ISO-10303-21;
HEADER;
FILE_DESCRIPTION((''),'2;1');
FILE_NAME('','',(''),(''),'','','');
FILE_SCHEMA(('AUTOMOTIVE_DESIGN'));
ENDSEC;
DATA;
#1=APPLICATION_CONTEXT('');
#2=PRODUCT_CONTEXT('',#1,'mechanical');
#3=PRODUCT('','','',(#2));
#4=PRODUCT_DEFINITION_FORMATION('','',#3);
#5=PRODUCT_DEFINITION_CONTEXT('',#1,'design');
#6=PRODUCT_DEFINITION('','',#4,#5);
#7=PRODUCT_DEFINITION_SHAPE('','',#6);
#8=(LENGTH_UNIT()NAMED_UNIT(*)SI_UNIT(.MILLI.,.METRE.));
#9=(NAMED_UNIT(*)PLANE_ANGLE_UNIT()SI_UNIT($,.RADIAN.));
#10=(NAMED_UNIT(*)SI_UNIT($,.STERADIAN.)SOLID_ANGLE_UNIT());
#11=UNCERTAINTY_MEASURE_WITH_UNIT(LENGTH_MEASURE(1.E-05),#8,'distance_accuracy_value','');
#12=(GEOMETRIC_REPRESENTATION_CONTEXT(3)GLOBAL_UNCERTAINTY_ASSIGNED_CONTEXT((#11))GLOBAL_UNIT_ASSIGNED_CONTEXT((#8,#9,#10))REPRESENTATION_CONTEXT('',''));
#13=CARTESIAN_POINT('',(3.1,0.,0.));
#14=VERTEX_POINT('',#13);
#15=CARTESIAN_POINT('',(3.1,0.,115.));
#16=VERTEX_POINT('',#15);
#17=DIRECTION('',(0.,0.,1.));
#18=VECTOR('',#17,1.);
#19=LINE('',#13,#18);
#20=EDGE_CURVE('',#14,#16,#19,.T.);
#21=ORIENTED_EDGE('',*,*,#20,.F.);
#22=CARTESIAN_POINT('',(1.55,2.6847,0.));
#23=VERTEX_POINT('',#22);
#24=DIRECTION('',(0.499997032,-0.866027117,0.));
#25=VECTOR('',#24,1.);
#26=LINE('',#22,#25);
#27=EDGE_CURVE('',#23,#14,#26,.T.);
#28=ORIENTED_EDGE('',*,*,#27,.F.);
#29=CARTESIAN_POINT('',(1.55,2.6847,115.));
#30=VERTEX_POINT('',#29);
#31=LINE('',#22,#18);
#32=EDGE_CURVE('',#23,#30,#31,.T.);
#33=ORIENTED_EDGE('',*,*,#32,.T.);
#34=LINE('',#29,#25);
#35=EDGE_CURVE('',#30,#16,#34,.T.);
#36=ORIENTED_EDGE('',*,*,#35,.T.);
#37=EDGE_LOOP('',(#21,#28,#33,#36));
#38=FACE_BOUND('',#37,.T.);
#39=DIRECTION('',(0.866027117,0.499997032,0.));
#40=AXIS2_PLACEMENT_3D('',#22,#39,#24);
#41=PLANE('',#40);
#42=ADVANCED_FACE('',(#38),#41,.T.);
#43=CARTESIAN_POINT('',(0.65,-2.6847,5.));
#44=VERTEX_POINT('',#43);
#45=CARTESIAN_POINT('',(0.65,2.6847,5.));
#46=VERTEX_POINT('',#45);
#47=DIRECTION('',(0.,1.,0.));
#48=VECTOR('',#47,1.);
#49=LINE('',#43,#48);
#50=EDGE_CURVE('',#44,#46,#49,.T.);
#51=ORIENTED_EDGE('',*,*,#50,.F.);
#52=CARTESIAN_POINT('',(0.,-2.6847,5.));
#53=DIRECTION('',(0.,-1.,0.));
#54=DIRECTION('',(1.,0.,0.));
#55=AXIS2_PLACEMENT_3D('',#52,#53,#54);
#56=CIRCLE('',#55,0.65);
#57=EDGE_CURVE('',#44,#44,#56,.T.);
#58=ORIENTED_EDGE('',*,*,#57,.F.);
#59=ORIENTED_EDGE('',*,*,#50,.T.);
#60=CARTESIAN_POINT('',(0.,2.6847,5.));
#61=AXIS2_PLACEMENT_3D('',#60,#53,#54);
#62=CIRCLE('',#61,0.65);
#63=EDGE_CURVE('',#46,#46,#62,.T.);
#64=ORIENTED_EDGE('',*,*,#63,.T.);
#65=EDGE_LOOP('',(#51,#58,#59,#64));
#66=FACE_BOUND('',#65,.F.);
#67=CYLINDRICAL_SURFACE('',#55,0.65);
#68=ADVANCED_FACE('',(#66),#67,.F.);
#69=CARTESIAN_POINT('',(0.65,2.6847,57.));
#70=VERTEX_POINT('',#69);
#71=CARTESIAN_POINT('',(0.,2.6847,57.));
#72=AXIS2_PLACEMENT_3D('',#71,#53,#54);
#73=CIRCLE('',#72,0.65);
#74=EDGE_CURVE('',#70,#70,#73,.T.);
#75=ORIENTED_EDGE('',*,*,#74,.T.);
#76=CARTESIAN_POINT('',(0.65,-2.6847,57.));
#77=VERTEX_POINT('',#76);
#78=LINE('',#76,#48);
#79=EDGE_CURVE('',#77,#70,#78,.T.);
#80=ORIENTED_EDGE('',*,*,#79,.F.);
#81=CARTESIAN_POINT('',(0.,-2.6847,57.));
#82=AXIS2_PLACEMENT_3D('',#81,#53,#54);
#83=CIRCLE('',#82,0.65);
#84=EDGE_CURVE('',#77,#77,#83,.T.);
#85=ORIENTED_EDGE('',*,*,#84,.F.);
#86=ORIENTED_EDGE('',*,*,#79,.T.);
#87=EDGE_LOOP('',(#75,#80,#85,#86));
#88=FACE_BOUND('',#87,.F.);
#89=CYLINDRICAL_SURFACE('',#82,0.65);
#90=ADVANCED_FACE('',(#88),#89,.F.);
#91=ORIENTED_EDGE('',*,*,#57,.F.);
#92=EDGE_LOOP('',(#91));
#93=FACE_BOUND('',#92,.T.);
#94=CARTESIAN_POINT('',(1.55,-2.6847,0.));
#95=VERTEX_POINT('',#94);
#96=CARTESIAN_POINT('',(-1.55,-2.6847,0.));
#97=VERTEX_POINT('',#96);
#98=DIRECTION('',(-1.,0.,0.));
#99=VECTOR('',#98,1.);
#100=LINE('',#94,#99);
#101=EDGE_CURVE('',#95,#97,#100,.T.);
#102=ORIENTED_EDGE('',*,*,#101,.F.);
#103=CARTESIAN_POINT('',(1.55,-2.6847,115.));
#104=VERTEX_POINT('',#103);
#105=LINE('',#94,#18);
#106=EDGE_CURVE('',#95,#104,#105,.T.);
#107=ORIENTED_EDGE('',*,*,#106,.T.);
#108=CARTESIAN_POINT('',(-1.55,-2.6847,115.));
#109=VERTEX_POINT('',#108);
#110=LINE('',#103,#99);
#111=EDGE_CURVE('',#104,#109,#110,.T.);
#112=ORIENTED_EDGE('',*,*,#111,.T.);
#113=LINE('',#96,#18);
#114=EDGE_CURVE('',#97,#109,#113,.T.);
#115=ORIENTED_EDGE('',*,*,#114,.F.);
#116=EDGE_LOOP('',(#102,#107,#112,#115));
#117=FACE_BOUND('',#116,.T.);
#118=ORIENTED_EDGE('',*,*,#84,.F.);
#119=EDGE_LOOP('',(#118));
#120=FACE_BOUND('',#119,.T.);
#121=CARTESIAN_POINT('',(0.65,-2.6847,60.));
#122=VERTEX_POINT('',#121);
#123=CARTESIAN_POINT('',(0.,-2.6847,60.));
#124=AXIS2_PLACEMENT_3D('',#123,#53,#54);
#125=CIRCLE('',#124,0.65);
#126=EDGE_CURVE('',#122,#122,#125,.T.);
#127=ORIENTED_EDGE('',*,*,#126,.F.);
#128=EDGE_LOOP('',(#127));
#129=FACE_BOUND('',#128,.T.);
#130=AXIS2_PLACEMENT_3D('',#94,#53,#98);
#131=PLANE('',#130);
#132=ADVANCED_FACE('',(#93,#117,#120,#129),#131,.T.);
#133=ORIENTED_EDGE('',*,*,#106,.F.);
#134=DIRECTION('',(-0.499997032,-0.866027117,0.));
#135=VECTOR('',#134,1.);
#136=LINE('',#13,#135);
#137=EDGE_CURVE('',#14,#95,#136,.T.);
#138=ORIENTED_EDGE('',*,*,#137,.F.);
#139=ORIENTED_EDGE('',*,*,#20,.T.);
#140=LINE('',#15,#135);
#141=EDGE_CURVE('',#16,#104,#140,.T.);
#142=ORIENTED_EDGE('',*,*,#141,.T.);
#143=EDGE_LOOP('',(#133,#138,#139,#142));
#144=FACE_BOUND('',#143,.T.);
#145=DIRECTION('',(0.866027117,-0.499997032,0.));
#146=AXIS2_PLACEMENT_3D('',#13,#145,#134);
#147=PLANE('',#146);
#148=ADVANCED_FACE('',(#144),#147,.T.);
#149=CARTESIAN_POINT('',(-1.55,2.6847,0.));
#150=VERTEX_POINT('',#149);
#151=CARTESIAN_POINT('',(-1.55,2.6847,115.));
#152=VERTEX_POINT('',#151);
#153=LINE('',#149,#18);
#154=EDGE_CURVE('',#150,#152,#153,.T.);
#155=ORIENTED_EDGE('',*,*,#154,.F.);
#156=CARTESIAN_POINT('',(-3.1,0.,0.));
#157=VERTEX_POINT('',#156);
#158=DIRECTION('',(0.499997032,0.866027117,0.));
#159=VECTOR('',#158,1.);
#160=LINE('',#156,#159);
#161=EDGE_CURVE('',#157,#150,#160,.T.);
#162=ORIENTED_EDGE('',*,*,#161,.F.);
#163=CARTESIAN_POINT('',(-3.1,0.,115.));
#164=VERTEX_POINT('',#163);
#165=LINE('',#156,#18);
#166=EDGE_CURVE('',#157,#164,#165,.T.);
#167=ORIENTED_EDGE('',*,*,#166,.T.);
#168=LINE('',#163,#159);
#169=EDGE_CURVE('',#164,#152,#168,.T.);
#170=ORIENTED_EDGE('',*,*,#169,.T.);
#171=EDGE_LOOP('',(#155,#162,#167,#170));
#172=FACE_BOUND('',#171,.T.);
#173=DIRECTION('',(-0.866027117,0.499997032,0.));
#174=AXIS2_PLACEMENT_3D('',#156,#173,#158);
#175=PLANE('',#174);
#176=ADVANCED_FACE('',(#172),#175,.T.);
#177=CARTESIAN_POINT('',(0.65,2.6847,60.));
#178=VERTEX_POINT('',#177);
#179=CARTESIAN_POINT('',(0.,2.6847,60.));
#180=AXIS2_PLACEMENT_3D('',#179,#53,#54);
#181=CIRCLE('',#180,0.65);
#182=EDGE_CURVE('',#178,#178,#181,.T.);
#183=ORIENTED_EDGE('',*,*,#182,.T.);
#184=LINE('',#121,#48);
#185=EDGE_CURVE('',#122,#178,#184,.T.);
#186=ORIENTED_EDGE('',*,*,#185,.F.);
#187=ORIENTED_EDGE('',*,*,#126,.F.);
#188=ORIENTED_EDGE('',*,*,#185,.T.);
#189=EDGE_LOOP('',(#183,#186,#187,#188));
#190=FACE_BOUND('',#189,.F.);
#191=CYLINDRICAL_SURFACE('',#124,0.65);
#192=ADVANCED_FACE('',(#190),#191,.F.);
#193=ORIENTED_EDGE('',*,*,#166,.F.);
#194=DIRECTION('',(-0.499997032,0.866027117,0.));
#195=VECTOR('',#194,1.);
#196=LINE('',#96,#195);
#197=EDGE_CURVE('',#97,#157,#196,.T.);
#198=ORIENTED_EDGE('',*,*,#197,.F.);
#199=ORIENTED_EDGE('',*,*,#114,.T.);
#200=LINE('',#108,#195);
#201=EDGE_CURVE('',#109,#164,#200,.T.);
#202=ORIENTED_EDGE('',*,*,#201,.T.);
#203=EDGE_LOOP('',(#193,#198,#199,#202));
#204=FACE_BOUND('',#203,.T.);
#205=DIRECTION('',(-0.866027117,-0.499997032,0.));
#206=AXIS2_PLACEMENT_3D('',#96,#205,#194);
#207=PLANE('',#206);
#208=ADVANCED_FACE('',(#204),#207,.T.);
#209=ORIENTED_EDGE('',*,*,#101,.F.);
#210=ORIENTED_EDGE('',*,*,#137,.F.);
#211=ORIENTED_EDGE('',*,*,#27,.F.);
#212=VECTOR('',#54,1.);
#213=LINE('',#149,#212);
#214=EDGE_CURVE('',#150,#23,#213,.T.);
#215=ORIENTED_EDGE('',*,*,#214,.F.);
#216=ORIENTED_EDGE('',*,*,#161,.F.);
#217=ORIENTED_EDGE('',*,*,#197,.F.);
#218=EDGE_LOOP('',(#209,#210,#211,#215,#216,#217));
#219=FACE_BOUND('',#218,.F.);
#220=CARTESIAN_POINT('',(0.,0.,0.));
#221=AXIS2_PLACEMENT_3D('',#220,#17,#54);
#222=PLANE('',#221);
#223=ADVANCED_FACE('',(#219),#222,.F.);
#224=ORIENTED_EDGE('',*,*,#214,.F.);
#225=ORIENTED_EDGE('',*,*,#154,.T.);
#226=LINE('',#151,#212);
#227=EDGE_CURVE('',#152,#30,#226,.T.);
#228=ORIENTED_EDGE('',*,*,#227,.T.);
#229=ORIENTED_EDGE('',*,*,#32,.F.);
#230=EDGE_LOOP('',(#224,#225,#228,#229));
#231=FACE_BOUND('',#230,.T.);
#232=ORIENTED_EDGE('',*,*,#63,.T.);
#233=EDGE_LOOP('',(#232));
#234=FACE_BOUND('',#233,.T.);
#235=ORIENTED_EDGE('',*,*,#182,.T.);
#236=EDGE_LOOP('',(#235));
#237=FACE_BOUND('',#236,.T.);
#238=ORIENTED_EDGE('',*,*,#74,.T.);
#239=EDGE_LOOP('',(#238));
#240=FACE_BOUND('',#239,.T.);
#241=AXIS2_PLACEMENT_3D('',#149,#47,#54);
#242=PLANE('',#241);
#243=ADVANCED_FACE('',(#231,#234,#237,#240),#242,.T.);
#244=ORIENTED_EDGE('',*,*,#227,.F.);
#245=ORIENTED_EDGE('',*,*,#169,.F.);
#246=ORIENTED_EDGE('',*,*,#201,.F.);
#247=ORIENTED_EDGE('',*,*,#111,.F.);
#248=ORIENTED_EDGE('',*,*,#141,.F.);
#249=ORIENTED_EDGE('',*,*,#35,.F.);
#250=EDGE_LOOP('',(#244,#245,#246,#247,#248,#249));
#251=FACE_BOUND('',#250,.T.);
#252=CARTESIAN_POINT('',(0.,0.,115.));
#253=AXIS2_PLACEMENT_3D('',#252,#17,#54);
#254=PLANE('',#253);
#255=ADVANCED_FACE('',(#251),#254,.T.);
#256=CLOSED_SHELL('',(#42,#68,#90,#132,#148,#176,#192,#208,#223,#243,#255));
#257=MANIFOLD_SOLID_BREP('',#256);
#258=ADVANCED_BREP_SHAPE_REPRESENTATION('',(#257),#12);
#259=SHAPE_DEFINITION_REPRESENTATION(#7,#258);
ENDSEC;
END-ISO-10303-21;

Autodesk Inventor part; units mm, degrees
ref_plane "YZ Plane" through (0, 0, 0) normal (1, 0, 0) x (0, 1, 0)
ref_plane "XZ Plane" through (0, 0, 0) normal (0, 1, 0) x (-1, 0, 0)
ref_plane "XY Plane" through (0, 0, 0) normal (0, 0, 1) x (1, 0, 0)
sketch "Sketch1" plane through (0, 0, 0) normal (0, 0, 1) x (1, 0, 0)
  line L0 (0, 0) -> (3.1, 0) construction
  circle A0 centre (0, 0) radius 2.0286 construction
  line L1 (0, 0) -> (1.55, 2.6847) construction
  line L2 (0, 0) -> (-1.55, 2.6847) construction
  line L3 (0, 0) -> (-3.1, 0) construction
  line L4 (0, 0) -> (-1.55, -2.6847) construction
  line L5 (0, 0) -> (1.55, -2.6847) construction
  line L6 (-1.55, 2.6847) -> (1.55, 2.6847)
  line L7 (1.55, 2.6847) -> (3.1, 0)
  line L8 (3.1, 0) -> (1.55, -2.6847)
  line L9 (1.55, -2.6847) -> (-1.55, -2.6847)
  line L10 (-1.55, -2.6847) -> (-3.1, 0)
  line L11 (-3.1, 0) -> (-1.55, 2.6847)
  dimension "d0" = 3.1
  dimension "d3" = 360
extrude "Extrusion1" add sketch "Sketch1" along normal blind 115
sketch "Sketch2" plane through (-1.55, -2.6847, 0) normal (0, -1, 0) x (1, 0, 0)
  circle A0 centre (1.55, 5) radius 0.65
  line L0 (3.1, 0) -> (3.1, 115) projected
  line L1 (0, 0) -> (0, 115) projected
  line L2 (0, 0) -> (3.1, 0) projected
  circle A1 centre (1.55, 60) radius 0.65
  circle A2 centre (1.55, 57) radius 0.65
  point P0 (1.55, 0)
  point P1 (1.55, 0)
  dimension "d7" = 1.3
  dimension "d8" = 5
  dimension "d9" = 60
  dimension "d10" = 3
extrude "Extrusion2" cut sketch "Sketch2" against normal blind 10
properties part number "eje1_n"
